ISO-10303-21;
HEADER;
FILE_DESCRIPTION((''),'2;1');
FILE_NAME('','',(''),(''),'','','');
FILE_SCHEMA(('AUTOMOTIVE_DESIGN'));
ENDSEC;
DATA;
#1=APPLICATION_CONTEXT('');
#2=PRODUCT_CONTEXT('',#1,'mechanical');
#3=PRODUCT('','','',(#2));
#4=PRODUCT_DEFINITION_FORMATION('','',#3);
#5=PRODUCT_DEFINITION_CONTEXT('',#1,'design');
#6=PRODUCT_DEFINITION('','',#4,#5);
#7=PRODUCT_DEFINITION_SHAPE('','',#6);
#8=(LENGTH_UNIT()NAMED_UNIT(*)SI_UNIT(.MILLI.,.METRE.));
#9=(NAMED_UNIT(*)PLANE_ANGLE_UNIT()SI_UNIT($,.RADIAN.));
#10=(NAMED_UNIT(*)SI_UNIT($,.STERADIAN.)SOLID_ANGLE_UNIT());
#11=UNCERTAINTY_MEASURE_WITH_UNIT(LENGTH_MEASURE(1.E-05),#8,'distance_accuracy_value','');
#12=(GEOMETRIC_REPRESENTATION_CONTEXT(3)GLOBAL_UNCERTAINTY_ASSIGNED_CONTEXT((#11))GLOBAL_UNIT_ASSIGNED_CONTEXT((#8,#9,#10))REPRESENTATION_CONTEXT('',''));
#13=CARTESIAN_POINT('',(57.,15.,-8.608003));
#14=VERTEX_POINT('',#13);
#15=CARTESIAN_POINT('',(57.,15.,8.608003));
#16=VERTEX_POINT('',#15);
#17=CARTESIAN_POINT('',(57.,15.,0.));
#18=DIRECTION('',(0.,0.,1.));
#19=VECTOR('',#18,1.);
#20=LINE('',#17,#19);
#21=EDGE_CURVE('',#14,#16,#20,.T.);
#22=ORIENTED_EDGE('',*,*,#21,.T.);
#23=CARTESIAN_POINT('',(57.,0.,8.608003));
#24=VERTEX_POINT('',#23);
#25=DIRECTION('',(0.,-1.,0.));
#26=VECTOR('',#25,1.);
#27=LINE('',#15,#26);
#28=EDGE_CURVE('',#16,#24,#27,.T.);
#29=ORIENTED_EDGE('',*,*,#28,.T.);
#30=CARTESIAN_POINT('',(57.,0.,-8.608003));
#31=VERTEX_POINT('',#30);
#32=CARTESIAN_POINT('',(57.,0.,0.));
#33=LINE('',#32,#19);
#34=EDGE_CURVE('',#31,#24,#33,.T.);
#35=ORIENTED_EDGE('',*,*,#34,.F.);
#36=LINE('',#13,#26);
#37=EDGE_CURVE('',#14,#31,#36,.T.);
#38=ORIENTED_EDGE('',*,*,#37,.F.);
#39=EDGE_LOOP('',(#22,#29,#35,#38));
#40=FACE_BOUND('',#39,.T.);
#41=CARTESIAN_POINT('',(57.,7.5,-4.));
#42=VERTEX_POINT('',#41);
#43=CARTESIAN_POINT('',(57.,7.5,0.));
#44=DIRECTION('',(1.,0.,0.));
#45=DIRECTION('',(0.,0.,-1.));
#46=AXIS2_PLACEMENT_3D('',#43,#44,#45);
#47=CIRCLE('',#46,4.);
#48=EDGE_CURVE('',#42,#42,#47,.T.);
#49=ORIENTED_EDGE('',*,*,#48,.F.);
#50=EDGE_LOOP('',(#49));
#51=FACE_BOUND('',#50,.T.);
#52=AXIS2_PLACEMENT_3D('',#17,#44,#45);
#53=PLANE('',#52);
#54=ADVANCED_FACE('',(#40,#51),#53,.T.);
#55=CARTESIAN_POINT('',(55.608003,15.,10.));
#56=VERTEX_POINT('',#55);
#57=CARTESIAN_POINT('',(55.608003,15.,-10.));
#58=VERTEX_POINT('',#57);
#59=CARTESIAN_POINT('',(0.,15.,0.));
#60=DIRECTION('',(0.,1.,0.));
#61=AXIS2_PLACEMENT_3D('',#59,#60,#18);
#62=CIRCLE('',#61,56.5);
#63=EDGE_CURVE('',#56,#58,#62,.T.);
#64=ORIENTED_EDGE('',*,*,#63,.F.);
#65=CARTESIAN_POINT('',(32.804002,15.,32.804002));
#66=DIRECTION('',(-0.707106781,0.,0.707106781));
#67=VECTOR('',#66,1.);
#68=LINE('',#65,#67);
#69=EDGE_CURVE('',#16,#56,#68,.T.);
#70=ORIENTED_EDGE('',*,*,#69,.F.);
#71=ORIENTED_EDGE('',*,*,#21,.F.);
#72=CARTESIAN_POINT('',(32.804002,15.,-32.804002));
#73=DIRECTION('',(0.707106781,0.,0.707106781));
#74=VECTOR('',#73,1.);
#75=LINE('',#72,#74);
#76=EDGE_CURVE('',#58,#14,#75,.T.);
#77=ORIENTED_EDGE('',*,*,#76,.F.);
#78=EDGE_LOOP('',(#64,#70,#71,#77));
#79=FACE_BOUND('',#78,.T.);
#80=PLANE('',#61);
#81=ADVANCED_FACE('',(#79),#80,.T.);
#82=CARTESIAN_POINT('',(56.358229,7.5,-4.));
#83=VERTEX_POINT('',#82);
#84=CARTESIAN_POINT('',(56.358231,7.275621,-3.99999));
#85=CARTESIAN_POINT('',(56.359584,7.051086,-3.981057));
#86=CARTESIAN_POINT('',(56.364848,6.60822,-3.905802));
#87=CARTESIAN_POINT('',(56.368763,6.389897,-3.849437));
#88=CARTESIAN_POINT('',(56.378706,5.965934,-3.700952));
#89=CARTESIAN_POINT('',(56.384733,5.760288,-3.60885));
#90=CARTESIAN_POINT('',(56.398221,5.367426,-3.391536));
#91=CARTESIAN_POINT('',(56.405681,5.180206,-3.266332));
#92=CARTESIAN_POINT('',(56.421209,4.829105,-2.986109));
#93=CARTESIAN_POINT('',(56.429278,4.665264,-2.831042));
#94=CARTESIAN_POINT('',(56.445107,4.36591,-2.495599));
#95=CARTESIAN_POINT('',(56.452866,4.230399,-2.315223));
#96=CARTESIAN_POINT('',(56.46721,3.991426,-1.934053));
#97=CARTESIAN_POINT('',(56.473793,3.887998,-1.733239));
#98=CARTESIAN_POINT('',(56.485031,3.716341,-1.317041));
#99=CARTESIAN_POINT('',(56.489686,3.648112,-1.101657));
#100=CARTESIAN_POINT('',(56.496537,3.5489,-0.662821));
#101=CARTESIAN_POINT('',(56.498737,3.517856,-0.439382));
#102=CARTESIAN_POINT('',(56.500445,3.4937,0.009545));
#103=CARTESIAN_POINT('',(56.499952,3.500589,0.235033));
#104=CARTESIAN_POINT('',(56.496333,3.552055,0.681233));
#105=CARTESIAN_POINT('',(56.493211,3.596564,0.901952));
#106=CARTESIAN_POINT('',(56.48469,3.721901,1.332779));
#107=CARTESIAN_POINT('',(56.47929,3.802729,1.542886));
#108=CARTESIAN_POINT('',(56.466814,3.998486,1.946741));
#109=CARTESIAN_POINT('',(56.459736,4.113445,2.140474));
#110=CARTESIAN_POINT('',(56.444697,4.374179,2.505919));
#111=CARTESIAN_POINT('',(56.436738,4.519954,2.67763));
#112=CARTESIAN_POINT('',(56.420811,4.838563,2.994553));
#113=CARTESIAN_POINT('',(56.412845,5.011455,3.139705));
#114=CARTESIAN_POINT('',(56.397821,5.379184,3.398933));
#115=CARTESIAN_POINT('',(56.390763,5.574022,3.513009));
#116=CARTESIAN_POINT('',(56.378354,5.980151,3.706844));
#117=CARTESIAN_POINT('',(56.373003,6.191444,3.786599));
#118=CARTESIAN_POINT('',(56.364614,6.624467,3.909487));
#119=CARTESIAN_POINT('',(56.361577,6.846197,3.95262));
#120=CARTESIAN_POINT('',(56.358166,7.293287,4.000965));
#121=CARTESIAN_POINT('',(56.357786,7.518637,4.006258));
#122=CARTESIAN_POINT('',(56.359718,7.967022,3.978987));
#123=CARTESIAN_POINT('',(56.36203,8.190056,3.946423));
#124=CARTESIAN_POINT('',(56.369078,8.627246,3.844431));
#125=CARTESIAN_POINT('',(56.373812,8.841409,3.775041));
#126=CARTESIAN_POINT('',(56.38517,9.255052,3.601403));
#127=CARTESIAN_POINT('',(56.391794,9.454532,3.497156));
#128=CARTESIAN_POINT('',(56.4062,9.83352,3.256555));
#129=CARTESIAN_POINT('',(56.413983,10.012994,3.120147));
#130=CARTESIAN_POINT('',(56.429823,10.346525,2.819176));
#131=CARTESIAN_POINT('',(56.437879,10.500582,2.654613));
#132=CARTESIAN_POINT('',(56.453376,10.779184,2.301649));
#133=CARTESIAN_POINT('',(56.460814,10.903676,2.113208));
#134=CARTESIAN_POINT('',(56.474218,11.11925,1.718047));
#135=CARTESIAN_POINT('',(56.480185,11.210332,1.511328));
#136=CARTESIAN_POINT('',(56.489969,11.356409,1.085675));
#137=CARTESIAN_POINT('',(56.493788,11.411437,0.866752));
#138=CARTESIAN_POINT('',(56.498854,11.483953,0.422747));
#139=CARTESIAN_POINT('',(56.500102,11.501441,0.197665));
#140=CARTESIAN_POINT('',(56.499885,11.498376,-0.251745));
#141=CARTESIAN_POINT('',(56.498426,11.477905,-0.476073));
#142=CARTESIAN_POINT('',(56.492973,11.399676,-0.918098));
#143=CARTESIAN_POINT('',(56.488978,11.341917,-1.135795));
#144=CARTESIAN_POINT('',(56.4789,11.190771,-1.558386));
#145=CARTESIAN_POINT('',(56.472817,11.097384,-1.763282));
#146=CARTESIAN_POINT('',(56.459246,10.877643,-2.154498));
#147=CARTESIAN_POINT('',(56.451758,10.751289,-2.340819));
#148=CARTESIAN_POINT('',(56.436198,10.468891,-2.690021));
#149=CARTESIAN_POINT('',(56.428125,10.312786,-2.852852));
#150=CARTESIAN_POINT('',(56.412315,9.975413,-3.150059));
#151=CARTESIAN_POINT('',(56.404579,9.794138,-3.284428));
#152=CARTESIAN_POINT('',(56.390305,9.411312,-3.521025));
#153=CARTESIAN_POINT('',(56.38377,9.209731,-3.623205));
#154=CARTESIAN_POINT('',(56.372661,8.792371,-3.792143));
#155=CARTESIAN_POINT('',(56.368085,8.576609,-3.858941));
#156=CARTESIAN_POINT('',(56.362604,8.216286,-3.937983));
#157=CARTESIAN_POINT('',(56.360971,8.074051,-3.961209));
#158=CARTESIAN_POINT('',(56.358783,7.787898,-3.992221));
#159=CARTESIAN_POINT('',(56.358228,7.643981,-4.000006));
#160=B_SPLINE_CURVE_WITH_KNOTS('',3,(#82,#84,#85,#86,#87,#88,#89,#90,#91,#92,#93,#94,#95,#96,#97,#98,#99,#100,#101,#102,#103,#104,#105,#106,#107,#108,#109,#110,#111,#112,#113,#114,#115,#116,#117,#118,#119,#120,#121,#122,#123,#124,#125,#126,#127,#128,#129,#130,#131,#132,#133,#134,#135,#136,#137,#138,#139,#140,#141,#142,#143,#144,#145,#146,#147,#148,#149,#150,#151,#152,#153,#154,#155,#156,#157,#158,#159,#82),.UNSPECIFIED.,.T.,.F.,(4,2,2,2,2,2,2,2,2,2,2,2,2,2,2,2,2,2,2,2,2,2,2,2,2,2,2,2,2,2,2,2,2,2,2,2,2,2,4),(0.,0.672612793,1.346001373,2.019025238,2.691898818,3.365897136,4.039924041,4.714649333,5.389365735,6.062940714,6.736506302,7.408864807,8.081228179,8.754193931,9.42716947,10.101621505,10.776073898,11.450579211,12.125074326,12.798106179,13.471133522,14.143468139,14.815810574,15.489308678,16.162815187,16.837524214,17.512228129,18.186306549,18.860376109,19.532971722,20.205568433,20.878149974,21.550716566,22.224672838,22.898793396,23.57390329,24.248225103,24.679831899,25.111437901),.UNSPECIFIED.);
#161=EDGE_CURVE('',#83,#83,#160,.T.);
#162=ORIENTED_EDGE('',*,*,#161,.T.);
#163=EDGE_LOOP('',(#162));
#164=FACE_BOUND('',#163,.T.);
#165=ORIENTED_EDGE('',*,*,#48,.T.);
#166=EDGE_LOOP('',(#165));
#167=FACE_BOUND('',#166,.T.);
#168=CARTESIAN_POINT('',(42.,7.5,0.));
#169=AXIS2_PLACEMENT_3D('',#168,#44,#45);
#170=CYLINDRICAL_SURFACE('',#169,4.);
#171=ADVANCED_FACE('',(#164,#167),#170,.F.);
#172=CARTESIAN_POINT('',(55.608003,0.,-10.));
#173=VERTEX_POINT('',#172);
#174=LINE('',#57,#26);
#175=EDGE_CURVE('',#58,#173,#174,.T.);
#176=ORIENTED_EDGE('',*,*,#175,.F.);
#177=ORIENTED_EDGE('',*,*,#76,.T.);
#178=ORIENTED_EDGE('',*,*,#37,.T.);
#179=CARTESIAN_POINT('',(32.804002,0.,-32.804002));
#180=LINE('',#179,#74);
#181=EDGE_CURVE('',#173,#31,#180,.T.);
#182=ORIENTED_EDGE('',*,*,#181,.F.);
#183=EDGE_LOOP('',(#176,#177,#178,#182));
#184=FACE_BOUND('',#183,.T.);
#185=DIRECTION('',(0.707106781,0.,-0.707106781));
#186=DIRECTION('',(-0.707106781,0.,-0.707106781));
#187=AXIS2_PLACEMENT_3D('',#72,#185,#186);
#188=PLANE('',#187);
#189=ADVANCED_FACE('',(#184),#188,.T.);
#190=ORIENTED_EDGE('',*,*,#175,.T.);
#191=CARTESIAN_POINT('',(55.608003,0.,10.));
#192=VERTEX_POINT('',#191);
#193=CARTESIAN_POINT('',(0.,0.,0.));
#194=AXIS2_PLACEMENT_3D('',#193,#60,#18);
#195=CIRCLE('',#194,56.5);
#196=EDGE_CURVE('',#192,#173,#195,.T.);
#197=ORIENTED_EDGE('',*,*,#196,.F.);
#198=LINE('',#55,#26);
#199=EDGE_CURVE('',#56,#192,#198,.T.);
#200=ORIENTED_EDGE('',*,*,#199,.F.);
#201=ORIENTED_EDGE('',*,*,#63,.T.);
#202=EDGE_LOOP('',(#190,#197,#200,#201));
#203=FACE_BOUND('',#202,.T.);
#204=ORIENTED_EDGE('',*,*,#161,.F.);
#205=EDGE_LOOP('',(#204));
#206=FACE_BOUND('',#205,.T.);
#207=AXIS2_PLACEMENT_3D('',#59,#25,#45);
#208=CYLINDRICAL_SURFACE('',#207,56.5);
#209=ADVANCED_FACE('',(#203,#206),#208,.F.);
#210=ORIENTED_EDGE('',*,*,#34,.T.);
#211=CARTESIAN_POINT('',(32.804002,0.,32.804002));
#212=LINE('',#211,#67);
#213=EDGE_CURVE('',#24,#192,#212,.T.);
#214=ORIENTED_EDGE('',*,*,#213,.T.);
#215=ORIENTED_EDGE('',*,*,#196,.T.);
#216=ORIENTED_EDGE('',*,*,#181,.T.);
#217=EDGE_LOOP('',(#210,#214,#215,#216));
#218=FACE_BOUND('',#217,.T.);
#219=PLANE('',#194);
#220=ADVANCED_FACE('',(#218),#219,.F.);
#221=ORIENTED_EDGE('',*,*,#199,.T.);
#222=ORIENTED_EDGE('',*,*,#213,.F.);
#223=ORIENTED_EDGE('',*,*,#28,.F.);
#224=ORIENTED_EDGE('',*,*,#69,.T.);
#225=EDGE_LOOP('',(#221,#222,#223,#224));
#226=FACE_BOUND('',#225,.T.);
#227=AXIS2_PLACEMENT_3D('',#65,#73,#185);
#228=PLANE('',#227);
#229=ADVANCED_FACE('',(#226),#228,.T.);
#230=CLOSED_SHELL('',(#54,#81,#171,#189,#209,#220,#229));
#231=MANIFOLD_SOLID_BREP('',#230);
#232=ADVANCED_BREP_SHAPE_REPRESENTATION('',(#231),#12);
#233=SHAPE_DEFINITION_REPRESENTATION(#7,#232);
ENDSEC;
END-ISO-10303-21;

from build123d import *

# Parameters (mm, degrees)
BOSS_EXTRUDE1_DEPTH = 15
CUT_EXTRUDE1_DEPTH  = 25


with BuildPart() as part:
    # Sketch1 → Boss-Extrude1 (new body)
    with BuildSketch(Plane(origin=(0, 0, 0), x_dir=(1, 0, 0), z_dir=(0, 1, 0))):
        with BuildLine():
            ThreePointArc((55.608003021, 10), (56.276558933, 5.019852055), (56.5, 0))
            ThreePointArc((56.5, 0), (56.276558933, -5.019852055), (55.608003021, -10))
            Line((55.608003021, -10), (57, -8.608003021))
            Line((57, -8.608003021), (57, 8.608003021))
            Line((57, 8.608003021), (55.608003021, 10))
        make_face()
    extrude(amount=BOSS_EXTRUDE1_DEPTH)

    # Sketch2 → Cut-Extrude1 (cut)
    with BuildSketch(Plane(origin=(67, 0, 0), x_dir=(0, 0, -1), z_dir=(1, 0, 0))):
        with BuildLine():
            ThreePointArc((0, 11.5), (-4, 7.5), (0, 3.5))
            Line((0, 3.5), (0, 11.5))
        make_face()
        with BuildLine():
            Line((0, 11.5), (0, 3.5))
            ThreePointArc((0, 3.5), (2.828427125, 4.671572875), (4, 7.5))
            ThreePointArc((4, 7.5), (2.828427125, 10.328427125), (0, 11.5))
        make_face()
    extrude(amount=-CUT_EXTRUDE1_DEPTH, mode=Mode.SUBTRACT)


solid = part.part
